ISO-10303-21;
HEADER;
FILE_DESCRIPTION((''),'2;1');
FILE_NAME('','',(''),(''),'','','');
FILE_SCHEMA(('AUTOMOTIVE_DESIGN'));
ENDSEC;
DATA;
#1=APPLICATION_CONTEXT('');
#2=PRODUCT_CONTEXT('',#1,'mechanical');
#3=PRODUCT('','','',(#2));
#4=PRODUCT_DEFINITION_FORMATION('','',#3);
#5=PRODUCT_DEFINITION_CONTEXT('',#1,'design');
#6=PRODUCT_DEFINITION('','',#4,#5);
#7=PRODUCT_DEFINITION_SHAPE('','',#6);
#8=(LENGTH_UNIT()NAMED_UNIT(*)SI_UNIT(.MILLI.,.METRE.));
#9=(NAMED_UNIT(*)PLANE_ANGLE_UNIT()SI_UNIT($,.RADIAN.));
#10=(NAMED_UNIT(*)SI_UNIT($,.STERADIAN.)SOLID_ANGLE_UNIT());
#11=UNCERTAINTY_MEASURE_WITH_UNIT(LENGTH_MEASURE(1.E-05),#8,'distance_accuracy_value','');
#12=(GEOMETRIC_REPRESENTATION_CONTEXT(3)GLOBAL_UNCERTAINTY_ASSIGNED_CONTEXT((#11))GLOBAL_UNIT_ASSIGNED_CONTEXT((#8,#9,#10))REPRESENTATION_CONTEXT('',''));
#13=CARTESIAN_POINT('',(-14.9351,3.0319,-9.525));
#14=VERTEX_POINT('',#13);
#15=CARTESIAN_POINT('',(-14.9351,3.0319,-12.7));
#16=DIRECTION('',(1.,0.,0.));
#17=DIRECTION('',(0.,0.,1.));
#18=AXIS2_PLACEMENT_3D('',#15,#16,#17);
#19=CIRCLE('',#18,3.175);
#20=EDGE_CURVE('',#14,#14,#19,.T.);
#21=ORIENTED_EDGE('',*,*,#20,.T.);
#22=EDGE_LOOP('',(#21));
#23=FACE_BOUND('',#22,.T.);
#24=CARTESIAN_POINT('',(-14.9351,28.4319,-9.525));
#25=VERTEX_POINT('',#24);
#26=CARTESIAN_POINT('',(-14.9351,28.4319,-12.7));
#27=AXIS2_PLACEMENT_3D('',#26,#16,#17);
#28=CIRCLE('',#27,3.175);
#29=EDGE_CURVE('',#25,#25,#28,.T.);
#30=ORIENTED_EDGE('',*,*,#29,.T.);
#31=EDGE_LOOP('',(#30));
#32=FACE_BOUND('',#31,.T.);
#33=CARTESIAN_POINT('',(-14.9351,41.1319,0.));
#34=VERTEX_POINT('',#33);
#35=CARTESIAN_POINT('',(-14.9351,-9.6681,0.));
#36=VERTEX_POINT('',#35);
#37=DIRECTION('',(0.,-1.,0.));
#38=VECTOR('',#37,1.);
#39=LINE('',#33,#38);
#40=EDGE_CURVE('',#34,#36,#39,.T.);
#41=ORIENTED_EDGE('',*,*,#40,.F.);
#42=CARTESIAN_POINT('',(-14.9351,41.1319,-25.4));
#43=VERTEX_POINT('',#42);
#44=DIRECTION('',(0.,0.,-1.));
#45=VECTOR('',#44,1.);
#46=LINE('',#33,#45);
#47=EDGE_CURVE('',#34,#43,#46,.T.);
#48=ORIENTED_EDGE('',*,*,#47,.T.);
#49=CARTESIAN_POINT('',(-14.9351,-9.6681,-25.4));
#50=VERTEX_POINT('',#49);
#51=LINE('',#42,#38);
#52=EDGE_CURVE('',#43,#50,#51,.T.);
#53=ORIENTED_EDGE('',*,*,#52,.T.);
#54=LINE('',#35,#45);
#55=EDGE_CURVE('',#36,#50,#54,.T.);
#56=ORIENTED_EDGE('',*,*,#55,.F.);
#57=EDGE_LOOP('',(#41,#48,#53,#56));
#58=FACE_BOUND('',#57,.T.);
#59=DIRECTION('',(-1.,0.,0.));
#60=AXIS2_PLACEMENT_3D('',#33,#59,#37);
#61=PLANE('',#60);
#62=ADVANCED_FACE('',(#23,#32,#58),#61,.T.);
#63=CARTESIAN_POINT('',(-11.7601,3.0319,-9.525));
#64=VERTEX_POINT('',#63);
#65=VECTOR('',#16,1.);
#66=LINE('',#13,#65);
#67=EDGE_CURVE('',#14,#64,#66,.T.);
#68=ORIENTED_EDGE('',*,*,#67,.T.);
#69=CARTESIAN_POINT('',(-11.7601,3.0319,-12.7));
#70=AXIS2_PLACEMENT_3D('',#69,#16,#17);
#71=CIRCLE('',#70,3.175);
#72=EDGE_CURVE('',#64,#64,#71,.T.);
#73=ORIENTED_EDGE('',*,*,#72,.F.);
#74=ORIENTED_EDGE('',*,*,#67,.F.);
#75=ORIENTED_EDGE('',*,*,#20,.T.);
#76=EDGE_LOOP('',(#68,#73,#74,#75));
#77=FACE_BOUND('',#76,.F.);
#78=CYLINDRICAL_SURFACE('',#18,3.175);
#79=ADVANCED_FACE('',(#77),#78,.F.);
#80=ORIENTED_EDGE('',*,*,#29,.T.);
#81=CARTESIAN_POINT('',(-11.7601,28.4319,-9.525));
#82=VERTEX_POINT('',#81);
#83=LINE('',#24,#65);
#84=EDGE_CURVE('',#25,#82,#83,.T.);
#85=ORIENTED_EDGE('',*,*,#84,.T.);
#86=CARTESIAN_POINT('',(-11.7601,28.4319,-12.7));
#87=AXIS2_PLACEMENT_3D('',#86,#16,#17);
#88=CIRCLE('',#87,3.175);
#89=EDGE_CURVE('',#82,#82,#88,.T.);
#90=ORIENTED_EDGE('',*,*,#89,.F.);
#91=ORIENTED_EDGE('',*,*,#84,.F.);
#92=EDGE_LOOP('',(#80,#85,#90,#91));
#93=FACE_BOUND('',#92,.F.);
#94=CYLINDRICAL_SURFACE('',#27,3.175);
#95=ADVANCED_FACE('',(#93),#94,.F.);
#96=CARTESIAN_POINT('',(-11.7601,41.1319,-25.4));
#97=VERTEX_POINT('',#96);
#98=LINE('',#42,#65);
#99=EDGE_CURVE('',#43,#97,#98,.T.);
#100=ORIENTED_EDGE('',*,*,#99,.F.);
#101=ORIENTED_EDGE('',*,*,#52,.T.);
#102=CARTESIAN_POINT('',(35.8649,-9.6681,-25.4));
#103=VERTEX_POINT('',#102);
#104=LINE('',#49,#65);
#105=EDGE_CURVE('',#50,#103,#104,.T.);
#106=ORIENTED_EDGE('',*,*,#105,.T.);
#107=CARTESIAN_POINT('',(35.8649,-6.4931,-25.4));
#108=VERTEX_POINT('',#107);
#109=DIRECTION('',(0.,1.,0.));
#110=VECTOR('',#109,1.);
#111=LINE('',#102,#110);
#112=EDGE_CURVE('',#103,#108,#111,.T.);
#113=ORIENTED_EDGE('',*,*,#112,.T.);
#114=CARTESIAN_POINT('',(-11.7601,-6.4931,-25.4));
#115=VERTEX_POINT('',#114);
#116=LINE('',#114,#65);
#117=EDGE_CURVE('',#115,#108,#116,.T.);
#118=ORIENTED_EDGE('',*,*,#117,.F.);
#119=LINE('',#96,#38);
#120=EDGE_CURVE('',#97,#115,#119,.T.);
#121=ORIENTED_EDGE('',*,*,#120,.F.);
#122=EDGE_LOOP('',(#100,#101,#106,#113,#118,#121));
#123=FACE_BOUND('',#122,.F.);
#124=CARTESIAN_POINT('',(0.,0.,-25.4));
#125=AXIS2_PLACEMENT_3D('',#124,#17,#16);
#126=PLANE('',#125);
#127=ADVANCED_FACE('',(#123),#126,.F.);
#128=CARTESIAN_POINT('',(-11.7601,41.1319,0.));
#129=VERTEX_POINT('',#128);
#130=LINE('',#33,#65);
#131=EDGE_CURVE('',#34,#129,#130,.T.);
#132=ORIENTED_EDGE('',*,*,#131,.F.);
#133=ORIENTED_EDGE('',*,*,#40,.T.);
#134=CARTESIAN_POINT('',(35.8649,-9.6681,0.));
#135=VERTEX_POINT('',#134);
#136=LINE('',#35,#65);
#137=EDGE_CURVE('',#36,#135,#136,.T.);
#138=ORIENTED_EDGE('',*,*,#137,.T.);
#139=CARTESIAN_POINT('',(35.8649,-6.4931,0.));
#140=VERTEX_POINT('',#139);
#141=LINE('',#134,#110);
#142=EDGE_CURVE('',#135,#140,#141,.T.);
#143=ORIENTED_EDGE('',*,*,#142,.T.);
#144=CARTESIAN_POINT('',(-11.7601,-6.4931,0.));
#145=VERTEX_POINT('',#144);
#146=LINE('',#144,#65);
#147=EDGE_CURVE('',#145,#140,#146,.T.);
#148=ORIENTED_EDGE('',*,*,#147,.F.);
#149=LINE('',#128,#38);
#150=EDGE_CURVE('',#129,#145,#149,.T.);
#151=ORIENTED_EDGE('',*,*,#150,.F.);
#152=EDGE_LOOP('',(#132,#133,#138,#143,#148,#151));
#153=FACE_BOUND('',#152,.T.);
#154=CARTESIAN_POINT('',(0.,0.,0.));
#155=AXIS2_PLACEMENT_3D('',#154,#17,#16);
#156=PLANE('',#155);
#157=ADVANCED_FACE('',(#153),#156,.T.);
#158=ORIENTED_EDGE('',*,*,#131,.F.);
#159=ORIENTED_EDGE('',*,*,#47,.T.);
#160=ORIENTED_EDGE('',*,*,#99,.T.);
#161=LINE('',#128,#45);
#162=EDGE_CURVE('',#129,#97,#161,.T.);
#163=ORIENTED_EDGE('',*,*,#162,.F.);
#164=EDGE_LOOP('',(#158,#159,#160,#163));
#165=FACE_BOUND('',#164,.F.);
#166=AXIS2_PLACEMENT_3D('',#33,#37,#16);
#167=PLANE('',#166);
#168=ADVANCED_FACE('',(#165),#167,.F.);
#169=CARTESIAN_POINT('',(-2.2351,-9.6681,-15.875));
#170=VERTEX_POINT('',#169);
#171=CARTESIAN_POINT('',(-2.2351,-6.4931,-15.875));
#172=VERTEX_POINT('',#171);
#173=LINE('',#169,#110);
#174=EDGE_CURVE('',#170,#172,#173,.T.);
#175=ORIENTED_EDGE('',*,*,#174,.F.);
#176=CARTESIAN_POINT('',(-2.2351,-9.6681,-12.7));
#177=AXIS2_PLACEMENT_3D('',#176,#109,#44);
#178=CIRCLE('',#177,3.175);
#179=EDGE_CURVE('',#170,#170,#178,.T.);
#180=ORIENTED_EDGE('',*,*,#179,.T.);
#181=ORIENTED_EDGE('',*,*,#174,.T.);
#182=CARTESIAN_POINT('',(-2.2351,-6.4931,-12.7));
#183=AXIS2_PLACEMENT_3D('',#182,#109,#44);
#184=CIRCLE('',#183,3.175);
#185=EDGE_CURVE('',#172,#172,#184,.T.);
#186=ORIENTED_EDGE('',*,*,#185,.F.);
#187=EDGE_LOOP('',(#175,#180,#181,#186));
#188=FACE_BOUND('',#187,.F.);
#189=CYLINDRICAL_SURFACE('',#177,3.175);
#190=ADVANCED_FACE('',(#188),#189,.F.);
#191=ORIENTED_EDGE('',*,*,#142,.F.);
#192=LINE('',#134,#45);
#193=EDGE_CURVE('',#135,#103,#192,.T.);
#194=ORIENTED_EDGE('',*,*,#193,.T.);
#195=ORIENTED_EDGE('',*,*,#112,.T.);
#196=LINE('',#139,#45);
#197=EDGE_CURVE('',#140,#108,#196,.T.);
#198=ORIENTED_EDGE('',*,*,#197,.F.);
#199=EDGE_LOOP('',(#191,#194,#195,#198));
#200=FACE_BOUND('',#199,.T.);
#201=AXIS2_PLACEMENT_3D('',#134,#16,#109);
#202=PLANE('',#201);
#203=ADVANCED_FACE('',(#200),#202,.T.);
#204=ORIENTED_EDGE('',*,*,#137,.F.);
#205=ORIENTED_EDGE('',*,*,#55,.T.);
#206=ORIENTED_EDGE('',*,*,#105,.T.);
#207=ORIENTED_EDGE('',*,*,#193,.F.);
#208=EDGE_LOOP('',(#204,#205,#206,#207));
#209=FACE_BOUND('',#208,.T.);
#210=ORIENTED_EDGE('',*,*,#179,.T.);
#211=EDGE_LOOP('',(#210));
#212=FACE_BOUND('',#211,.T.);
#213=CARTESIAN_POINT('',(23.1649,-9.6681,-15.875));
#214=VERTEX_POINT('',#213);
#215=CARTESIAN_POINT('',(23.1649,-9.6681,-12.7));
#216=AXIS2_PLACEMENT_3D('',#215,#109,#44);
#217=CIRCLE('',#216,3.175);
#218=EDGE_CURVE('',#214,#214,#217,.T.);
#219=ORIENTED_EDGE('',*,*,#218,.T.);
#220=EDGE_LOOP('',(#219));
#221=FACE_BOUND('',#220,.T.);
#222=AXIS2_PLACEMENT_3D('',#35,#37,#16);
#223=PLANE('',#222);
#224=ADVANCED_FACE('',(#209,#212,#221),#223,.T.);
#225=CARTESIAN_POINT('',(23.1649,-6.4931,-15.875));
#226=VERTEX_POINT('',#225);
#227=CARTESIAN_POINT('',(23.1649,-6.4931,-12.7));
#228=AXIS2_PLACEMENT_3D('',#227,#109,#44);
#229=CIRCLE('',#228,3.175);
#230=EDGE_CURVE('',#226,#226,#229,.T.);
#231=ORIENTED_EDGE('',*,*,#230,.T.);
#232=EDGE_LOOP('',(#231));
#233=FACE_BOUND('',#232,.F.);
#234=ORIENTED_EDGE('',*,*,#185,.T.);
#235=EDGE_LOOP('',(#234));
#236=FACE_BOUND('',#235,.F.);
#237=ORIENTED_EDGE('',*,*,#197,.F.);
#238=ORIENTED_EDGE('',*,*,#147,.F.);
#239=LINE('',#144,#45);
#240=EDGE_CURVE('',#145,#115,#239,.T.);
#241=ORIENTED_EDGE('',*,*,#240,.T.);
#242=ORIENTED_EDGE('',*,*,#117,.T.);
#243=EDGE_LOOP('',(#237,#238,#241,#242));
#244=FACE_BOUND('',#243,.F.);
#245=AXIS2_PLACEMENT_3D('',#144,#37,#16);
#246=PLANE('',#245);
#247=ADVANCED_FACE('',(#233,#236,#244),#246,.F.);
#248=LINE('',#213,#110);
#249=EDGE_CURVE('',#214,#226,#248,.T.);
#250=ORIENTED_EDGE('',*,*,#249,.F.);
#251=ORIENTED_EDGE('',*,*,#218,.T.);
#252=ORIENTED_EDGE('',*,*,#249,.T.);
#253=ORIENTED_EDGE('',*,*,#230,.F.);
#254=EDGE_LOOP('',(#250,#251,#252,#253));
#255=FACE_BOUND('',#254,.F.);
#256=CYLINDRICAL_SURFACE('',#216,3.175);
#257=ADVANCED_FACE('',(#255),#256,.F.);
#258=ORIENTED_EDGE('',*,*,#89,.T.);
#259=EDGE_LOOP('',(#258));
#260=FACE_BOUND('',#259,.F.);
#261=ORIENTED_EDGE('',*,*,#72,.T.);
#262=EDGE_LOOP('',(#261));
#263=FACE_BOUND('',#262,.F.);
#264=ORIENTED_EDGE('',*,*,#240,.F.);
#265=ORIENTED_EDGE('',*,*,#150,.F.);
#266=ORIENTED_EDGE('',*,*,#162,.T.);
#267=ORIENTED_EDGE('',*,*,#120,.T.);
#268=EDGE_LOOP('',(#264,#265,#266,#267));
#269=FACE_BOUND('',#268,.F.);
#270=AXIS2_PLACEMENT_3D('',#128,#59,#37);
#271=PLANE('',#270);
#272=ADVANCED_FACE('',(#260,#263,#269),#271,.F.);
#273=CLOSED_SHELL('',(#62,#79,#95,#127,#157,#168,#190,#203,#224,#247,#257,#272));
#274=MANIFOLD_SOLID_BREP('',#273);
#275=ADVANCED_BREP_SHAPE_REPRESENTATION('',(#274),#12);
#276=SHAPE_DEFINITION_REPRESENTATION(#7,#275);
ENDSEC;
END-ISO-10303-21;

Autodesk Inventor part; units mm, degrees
ref_plane "YZ Plane" through (0, 0, 0) normal (1, 0, 0) x (0, 1, 0)
ref_plane "XZ Plane" through (0, 0, 0) normal (0, 1, 0) x (-1, 0, 0)
ref_plane "XY Plane" through (0, 0, 0) normal (0, 0, 1) x (1, 0, 0)
sketch "Sketch1" plane through (0, 0, 0) normal (0, 0, 1) x (1, 0, 0)
  line L0 (-14.9351, 41.1319) -> (-14.9351, -9.6681)
  line L1 (-14.9351, -9.6681) -> (35.8649, -9.6681)
  line L2 (-11.7601, 41.1319) -> (-11.7601, -6.4931)
  line L3 (-11.7601, -6.4931) -> (35.8649, -6.4931)
  line L4 (35.8649, -9.6681) -> (35.8649, -6.4931)
  line L5 (-14.9351, 41.1319) -> (-11.7601, 41.1319)
  point P0 (0, 0)
  dimension "d0" = 50.8
  dimension "d1" = 50.8
  dimension "d2" = 3.175
extrude "Extrusion1" add sketch "Sketch1" against normal blind 25.4
sketch "Sketch2" plane through (-14.9351, -9.6681, 0) normal (-1, 0, 0) x (0, 0, 1)
  line L0 (0, 50.8) -> (-25.4, 50.8) projected
  point P0 (0, 9.6681)
  point P1 (-12.7, 12.7)
  point P2 (-12.7, 38.1)
  dimension "d5" = 12.7
  dimension "d6" = 25.4
sketch "Sketch3" plane through (-14.9351, -9.6681, 0) normal (0, -1, 0) x (1, 0, 0)
  line L0 (50.8, 0) -> (50.8, -25.4) projected
  point P0 (14.9351, 0)
  point P1 (12.7, -12.7)
  point P2 (38.1, -12.7)
  dimension "d7" = 12.7
  dimension "d8" = 25.4
hole "Hole1" at (-14.9351, 28.4319, -12.7) at (-14.9351, 3.0319, -12.7) direction (1, 0, 0) diameter 6.35 depth 25.4 tip angle 118
hole "Hole2" at (-2.2351, -9.6681, -12.7) at (23.1649, -9.6681, -12.7) direction (0, 1, 0) diameter 6.35 depth 25.4 tip angle 118
properties part number "Ad-hoc 2 by 1 angle bracket"
